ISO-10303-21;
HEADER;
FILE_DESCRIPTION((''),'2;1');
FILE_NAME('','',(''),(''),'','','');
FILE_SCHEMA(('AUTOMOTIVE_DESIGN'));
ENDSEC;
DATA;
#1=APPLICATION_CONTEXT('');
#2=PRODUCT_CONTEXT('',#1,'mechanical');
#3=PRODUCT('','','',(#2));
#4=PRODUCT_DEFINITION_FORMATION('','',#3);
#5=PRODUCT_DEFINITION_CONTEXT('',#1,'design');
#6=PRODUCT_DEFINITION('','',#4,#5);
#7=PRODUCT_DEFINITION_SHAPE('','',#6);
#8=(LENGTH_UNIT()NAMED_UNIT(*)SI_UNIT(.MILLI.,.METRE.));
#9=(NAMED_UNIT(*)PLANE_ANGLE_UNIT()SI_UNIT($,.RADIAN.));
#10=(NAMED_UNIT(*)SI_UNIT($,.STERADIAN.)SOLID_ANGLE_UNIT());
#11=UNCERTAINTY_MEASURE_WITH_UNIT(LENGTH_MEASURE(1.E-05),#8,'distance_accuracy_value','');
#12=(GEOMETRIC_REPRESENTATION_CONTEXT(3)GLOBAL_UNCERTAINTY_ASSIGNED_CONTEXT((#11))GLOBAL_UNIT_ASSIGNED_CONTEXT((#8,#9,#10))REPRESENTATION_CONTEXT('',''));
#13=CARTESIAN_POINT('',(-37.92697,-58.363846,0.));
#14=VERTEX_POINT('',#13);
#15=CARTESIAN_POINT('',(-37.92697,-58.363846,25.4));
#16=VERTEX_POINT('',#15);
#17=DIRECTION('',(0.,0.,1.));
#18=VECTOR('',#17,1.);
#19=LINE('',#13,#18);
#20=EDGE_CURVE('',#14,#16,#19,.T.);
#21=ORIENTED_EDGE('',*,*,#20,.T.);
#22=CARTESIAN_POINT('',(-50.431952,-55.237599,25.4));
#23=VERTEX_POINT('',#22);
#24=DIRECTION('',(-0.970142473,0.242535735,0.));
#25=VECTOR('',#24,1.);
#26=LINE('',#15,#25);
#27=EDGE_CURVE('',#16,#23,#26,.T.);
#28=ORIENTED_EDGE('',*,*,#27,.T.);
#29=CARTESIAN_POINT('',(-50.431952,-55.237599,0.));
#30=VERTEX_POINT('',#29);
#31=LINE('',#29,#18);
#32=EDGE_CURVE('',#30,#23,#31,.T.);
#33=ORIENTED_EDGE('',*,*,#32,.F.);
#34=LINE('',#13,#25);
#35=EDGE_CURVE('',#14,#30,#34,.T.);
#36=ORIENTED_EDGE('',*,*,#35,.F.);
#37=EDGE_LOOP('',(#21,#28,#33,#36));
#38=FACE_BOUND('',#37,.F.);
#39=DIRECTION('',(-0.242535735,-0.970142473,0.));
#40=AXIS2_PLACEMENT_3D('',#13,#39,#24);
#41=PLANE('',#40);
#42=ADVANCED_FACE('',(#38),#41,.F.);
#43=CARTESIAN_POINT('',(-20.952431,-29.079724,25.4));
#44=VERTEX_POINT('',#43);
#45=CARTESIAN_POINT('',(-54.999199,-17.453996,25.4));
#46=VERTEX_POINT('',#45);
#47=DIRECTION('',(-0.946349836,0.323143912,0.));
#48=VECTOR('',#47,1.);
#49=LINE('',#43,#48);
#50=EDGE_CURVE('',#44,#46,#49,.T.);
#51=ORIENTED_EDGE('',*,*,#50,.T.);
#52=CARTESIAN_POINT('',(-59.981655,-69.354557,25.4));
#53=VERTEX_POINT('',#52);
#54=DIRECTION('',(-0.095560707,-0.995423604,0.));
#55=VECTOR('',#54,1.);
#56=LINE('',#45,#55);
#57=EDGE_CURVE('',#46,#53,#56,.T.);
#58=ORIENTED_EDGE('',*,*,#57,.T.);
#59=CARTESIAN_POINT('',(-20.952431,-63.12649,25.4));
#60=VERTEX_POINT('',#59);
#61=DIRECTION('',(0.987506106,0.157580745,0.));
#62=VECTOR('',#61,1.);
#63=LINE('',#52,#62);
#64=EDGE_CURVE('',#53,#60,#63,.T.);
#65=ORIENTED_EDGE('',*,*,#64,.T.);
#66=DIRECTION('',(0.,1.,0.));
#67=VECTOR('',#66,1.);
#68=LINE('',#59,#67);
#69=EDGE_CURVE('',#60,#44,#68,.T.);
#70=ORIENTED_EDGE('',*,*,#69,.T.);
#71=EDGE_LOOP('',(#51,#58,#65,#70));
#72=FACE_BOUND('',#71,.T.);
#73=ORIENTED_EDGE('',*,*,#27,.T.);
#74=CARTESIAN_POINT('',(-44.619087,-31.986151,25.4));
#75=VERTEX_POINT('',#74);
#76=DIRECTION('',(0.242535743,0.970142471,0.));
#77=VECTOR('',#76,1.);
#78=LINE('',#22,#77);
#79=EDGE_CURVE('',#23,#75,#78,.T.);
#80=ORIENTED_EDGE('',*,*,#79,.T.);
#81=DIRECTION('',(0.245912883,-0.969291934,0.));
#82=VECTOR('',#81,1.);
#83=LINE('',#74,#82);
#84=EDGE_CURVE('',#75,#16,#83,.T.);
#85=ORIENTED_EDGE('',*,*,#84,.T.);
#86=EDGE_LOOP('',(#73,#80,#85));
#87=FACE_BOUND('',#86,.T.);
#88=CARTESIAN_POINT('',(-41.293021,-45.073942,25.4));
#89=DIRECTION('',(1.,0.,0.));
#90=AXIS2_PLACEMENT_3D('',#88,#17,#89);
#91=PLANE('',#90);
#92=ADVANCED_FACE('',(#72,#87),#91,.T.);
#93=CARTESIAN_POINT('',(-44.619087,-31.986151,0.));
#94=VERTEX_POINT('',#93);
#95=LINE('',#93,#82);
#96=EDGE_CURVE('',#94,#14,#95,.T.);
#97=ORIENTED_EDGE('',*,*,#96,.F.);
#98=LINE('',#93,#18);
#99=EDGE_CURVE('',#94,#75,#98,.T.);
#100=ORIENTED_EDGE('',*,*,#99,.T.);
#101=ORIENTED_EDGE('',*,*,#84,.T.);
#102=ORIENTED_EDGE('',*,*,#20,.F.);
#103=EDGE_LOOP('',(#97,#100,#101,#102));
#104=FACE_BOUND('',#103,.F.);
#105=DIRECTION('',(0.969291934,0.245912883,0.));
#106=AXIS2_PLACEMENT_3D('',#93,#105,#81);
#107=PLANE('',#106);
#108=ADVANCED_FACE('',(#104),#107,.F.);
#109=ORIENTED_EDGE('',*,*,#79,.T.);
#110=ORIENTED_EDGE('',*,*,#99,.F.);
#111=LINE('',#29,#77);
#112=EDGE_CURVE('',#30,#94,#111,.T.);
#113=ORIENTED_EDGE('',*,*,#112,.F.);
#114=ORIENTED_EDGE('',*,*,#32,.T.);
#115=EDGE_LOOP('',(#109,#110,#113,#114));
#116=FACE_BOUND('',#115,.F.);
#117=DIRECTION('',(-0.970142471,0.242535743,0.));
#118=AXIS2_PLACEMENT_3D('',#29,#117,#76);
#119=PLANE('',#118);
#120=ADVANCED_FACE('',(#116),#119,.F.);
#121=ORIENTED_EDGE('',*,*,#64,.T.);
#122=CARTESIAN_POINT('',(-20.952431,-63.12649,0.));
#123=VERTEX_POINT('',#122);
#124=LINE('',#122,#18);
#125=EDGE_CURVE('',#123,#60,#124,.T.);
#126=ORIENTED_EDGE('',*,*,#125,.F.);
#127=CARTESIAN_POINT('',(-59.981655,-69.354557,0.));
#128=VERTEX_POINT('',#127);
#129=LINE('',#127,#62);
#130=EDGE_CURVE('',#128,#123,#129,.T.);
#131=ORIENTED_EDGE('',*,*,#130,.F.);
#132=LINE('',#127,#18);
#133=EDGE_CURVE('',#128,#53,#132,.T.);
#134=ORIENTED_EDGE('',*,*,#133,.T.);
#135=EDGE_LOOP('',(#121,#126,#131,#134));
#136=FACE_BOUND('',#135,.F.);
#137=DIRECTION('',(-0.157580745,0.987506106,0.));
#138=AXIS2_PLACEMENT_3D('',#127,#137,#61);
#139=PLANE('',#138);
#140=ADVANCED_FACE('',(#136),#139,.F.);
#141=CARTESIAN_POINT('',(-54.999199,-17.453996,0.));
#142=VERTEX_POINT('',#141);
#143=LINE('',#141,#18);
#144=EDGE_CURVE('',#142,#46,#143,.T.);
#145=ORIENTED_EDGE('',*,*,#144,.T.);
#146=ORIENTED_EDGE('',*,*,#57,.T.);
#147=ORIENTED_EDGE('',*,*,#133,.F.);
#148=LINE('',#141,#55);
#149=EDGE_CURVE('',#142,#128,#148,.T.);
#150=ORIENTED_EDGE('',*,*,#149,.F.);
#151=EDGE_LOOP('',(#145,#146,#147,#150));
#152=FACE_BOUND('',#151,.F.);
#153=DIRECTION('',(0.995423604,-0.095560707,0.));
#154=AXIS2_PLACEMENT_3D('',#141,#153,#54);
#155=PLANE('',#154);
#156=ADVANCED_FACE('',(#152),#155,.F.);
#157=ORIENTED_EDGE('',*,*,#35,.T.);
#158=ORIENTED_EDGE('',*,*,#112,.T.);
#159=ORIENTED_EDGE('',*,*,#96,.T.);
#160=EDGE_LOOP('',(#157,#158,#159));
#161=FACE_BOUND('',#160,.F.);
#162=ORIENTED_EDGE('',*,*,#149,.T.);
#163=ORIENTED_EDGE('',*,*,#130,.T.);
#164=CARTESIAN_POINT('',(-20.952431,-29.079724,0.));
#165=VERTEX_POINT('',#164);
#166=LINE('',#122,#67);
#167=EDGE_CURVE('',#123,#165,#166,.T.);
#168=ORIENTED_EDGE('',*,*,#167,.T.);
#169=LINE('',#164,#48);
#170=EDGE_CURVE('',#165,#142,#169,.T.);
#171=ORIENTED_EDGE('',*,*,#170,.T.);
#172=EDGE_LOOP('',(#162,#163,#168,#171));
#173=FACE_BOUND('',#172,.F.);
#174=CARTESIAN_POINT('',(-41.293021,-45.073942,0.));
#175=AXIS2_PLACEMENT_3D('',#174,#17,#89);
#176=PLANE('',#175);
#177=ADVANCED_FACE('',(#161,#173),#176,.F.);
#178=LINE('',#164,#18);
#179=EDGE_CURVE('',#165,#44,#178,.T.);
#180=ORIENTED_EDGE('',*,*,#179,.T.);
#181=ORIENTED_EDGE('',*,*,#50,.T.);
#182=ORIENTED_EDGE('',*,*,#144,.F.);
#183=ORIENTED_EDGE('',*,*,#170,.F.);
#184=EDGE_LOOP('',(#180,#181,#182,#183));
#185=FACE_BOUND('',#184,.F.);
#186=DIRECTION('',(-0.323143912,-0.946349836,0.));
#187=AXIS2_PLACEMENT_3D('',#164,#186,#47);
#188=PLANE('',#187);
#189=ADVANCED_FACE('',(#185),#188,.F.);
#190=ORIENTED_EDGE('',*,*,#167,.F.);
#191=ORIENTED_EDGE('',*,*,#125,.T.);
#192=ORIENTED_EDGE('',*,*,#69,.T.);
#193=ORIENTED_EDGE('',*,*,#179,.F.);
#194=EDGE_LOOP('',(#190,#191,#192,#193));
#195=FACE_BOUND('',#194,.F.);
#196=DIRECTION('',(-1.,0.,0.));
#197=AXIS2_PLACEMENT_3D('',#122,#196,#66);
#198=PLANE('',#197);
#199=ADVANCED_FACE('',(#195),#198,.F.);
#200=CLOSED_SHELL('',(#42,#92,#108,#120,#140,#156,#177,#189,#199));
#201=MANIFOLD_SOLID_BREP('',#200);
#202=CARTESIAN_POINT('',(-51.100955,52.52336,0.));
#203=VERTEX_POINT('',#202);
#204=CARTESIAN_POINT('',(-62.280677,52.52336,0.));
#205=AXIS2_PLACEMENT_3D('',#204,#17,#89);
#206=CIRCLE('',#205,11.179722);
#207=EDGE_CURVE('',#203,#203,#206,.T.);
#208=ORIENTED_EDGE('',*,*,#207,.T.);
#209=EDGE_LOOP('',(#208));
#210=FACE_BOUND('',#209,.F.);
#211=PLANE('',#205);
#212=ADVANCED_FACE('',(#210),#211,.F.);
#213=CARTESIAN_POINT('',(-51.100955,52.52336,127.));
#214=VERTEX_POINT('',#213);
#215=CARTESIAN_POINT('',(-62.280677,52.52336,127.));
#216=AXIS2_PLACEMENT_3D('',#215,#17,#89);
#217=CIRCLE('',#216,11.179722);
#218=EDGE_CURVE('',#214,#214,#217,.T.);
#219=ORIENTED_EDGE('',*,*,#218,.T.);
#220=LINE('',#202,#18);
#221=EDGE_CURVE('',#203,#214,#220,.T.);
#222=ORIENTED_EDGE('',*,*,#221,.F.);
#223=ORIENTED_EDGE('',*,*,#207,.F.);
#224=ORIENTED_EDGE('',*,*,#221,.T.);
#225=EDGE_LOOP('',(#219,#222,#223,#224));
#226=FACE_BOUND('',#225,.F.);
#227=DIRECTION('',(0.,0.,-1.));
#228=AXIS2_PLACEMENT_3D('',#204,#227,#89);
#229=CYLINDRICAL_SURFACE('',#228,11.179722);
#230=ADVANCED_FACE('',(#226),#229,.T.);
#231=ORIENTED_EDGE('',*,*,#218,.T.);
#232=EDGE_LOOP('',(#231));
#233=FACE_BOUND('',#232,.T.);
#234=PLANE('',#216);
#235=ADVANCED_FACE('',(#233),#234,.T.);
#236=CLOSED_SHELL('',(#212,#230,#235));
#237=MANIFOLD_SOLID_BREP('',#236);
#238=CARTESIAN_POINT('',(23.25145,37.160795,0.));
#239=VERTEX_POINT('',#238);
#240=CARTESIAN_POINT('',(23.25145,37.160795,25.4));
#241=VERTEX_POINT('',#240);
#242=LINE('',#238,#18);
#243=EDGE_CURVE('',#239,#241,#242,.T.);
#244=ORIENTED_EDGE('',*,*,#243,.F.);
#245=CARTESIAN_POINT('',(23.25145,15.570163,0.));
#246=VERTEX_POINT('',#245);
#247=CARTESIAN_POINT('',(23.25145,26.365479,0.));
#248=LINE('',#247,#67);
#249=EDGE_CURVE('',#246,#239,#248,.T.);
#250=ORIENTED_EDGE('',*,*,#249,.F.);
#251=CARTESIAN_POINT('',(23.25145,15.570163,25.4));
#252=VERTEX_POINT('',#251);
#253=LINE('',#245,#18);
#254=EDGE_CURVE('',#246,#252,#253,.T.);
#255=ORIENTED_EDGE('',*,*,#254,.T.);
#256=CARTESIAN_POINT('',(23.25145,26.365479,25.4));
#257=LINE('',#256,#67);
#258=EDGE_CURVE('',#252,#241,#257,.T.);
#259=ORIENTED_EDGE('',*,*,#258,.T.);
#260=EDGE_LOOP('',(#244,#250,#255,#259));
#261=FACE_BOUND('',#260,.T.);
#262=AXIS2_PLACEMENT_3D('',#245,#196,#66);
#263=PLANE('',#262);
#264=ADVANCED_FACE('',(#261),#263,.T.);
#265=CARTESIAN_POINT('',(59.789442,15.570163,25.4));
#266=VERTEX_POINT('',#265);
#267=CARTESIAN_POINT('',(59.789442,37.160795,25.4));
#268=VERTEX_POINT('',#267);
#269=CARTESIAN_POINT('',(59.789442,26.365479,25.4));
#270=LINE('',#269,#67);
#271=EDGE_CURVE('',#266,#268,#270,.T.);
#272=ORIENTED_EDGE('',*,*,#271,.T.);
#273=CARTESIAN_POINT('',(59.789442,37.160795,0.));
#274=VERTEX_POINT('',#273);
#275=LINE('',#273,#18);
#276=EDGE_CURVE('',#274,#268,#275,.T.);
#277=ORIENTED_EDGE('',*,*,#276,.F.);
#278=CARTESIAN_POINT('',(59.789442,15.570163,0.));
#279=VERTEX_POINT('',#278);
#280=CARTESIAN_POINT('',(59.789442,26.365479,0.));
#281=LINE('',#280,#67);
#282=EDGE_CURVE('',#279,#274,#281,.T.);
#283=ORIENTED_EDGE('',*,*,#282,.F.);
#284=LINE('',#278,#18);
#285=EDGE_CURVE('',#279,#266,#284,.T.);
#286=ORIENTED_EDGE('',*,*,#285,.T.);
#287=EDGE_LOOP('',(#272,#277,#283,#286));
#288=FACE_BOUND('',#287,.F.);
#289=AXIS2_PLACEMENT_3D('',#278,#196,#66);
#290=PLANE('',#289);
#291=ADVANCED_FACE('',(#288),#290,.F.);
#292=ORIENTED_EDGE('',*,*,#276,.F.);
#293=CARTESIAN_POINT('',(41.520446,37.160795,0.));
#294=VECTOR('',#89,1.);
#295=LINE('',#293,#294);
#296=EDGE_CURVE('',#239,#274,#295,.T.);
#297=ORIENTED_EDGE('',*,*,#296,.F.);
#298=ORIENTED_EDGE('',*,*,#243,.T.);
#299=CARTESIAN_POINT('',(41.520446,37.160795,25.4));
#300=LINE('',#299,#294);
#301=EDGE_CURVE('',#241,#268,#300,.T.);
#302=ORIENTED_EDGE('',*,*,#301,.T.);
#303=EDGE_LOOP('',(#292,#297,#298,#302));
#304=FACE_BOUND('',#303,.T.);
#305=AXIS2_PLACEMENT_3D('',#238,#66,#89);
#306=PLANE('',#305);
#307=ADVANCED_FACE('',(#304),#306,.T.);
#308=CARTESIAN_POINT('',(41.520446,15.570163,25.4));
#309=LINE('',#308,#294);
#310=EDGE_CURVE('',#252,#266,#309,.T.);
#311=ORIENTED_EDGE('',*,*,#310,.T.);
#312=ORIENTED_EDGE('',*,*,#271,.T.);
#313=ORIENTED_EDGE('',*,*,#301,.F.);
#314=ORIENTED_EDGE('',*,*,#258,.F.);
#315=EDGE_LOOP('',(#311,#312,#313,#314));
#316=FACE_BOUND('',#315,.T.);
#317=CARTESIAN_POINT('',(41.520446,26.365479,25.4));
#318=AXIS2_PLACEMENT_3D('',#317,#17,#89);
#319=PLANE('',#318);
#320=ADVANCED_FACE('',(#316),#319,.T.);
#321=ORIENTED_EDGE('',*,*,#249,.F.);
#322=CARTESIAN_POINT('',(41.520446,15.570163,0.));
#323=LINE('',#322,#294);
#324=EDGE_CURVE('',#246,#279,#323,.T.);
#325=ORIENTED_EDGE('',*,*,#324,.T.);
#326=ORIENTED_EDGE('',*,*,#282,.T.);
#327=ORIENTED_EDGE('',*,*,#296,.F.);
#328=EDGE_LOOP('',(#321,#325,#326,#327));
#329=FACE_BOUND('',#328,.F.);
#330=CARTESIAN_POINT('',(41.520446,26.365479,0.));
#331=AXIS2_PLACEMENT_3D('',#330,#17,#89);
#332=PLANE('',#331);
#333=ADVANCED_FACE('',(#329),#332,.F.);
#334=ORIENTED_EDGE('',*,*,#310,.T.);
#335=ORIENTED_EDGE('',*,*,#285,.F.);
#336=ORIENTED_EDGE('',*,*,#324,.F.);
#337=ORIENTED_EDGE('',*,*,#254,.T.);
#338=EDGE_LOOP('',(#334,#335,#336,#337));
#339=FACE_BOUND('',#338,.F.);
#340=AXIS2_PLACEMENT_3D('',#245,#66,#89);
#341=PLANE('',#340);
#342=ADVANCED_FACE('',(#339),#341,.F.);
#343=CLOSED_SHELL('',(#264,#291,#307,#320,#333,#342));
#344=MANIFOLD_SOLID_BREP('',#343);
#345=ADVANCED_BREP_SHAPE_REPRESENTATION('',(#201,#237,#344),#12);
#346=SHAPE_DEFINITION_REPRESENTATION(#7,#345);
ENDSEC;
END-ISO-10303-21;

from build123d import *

# Parameters (mm, degrees)
F1_DEPTH = 25.4
F0_W     = 36.537992
F0_H     = 21.590633
F2_DEPTH = 25.4
F0_R     = 11.179722
F3_DEPTH = 127


with BuildPart() as f1:
    # F0 (on Top) → F1 (new body)
    with BuildSketch(Plane.XY):
        Polygon((-20.952431, -29.079724), (-54.999199, -17.453996), (-59.981655, -69.354557), (-20.952431, -63.12649), align=None)
        Polygon((-50.431952, -55.237599), (-44.619087, -31.986151), (-37.92697, -58.363846), align=None, mode=Mode.SUBTRACT)
    extrude(amount=F1_DEPTH)


with BuildPart() as f2:
    # F0 (on Top) → F2 (new body)
    with BuildSketch(Plane.XY):
        with Locations((41.520446, 26.365479)):
            Rectangle(F0_W, F0_H)
    extrude(amount=F2_DEPTH)


with BuildPart() as f3:
    # F0 (on Top) → F3 (new body)
    with BuildSketch(Plane.XY):
        with Locations((-62.280677, 52.52336)):
            Circle(F0_R)
    extrude(amount=F3_DEPTH)


solid = Compound([f1.part, f2.part, f3.part])
